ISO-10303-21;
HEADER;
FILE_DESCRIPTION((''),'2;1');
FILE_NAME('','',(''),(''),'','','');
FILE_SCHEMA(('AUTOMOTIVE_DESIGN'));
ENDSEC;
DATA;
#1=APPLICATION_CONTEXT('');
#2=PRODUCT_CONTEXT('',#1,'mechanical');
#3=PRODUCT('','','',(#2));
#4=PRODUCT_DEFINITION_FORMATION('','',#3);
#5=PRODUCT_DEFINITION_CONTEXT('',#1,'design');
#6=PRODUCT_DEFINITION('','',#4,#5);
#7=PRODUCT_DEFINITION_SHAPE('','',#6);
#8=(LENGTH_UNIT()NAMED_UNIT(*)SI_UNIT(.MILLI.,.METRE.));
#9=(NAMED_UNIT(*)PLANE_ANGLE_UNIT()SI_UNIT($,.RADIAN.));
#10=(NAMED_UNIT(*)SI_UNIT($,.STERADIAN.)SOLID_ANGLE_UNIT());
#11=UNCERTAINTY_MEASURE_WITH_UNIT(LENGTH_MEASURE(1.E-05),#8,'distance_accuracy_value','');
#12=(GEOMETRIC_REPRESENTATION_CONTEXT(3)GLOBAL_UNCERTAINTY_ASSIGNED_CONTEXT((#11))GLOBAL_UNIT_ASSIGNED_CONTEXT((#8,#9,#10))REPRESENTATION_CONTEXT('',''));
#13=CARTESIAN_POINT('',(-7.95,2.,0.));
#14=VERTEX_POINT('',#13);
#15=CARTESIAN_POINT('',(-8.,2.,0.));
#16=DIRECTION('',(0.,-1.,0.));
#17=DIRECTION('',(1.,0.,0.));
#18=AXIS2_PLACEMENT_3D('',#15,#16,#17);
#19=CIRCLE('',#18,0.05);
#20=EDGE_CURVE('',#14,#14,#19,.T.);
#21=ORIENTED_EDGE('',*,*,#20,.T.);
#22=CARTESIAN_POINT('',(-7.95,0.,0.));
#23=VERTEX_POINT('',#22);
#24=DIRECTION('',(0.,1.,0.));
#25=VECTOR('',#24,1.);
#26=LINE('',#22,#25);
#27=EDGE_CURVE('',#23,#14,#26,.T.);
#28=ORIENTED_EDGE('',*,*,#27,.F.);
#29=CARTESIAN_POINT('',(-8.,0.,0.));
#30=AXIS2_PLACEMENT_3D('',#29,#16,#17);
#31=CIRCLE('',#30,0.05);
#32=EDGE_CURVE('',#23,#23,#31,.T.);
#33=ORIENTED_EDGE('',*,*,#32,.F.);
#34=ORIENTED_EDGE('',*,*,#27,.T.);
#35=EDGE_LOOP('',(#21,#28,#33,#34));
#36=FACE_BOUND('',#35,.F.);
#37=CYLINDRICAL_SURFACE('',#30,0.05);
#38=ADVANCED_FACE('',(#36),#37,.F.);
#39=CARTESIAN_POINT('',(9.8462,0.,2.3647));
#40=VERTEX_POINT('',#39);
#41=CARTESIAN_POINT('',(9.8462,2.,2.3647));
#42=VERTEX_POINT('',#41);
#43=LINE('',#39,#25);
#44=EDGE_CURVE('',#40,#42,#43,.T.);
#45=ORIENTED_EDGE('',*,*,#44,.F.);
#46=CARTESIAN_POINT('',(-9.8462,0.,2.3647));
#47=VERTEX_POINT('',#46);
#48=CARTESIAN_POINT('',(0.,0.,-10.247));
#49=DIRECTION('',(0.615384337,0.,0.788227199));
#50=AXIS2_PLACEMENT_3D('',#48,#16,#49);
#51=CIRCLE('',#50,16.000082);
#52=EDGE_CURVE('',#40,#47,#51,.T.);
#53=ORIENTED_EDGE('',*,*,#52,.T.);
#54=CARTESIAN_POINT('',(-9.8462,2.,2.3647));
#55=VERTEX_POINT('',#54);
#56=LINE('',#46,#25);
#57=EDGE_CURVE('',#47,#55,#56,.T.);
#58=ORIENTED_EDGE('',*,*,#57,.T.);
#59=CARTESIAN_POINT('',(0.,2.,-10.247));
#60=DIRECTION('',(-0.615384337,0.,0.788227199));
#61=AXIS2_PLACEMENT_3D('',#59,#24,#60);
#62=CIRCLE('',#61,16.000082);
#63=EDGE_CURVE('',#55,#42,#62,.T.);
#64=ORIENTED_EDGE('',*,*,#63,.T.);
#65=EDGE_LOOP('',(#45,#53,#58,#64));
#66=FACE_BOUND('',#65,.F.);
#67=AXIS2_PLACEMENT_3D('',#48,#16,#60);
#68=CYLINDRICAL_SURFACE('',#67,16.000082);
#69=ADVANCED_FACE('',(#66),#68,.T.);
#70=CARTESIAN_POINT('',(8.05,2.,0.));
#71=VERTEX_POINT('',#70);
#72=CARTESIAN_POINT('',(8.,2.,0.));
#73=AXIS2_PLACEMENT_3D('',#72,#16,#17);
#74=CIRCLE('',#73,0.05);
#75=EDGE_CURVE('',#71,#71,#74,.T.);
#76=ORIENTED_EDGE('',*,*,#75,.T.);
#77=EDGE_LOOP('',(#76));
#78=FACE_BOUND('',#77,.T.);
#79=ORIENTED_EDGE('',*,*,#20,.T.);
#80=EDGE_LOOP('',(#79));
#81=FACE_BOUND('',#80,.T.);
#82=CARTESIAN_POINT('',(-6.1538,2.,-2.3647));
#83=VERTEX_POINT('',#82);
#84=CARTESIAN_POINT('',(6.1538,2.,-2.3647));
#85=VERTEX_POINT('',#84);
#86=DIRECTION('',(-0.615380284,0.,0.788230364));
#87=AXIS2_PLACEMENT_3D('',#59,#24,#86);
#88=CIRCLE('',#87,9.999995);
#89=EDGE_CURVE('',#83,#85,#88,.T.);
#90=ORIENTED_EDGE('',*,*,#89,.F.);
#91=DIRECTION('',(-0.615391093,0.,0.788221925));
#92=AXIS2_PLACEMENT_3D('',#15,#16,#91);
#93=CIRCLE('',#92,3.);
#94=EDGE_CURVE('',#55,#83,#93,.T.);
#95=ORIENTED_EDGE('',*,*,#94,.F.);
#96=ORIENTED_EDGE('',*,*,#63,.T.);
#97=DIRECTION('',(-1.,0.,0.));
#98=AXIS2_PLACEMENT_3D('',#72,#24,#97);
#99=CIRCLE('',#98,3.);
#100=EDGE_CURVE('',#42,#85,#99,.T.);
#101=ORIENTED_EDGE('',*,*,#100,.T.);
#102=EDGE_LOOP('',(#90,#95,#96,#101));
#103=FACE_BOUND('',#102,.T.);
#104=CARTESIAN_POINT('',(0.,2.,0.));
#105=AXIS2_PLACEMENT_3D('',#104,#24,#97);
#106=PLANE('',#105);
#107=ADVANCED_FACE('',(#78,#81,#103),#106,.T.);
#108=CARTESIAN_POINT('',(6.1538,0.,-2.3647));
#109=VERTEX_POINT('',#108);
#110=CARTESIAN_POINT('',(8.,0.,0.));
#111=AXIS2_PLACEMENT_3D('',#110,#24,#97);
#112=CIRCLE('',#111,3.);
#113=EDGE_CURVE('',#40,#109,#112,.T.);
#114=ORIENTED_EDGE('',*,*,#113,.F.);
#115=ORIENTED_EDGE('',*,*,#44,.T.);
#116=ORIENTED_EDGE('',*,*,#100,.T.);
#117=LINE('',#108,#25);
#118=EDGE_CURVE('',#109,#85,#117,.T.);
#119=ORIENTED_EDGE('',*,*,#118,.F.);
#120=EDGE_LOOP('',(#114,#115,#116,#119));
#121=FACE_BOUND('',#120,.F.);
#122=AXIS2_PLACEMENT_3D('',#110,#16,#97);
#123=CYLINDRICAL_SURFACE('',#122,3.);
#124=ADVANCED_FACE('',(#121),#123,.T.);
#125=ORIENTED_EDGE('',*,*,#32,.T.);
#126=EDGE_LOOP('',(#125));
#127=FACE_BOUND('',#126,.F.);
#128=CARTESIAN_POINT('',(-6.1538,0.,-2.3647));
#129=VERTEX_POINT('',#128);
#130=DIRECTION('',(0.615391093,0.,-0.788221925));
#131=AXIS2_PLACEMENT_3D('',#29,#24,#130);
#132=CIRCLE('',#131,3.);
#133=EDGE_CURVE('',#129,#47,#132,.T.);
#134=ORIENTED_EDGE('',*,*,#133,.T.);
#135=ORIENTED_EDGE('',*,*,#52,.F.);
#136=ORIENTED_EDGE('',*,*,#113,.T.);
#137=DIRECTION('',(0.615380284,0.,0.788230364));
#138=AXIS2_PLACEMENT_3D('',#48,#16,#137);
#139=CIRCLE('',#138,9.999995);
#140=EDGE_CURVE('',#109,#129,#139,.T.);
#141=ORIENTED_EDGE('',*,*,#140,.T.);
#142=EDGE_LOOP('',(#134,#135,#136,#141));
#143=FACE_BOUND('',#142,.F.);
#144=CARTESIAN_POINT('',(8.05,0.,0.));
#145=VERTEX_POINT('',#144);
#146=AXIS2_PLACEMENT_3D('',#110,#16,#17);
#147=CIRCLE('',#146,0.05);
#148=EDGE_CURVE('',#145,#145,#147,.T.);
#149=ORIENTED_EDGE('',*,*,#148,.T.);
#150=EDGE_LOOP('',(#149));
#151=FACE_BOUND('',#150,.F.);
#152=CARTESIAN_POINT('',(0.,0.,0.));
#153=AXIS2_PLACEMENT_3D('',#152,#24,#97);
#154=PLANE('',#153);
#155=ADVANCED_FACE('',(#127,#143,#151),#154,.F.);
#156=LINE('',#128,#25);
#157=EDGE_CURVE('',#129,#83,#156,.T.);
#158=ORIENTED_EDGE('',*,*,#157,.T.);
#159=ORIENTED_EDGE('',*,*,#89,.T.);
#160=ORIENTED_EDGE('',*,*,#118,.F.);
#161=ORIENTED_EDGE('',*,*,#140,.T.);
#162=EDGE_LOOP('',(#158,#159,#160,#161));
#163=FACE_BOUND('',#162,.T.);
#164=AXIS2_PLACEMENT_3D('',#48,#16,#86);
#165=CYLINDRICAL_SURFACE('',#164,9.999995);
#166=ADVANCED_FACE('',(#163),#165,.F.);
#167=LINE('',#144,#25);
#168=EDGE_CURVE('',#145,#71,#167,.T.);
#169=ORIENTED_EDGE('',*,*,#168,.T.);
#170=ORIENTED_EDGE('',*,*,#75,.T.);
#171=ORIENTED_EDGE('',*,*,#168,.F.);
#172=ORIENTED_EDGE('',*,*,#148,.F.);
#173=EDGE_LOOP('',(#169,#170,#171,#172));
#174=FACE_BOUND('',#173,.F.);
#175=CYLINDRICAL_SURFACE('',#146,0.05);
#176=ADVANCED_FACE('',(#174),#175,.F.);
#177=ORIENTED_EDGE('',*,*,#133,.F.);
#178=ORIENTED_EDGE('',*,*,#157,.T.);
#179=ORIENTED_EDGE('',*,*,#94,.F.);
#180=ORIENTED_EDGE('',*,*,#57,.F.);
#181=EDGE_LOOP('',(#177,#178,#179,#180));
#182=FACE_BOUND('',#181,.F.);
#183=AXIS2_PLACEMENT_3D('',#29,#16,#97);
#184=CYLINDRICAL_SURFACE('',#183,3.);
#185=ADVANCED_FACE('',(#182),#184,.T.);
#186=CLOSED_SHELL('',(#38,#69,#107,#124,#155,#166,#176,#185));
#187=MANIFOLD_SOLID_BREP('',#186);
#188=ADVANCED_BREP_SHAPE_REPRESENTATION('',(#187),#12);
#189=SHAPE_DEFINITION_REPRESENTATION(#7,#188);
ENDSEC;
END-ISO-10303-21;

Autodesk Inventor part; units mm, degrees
ref_plane "YZ Plane" through (0, 0, 0) normal (1, 0, 0) x (0, 1, 0)
ref_plane "XZ Plane" through (0, 0, 0) normal (0, 1, 0) x (-1, 0, 0)
ref_plane "XY Plane" through (0, 0, 0) normal (0, 0, 1) x (1, 0, 0)
sketch "Sketch1" plane through (0, 0, 0) normal (0, 1, 0) x (-1, 0, 0)
  circle A0 centre (8, 0) radius 3
  line L0 (8, 0) -> (-8, 0)
  circle A1 centre (-8, 0) radius 3
  arc A2 (6.1538, -2.3647) -> (-6.1538, -2.3647) centre (0, -10.247) ccw
  line L1 (0, -0.247) -> (0, 5.753)
  arc A3 (9.8462, 2.3647) -> (-9.8462, 2.3647) centre (0, -10.247) ccw
  circle A4 centre (8, 0) radius 1.5
  circle A5 centre (-8, 0) radius 1.5
  point P0 (0, 0)
  dimension "d13" = 16
  dimension "d14" = 6
  dimension "d16" = 6
  dimension "d17" = 3
  dimension "d18" = 3
extrude "Extrusion1" add sketch "Sketch1" along normal blind 2
sketch "Sketch2" plane through (0, 0, 0) normal (0, -1, 0) x (1, 0, 0)
  circle A0 centre (8, 0) radius 1.5 projected
  circle A1 centre (-8, 0) radius 1.5 projected
  arc A2 (6.1538, -2.3647) -> (9.8462, 2.3647) centre (8, 0) ccw projected
  arc A3 (-9.8462, 2.3647) -> (-6.1538, -2.3647) centre (-8, 0) ccw projected
  circle A4 centre (-8, 0) radius 0.05
  circle A5 centre (8, 0) radius 0.05
  point P0 (0, 0)
  dimension "d21" = 0.1
  dimension "d22" = 0.1
extrude "Extrusion2" add sketch "Sketch2" against normal blind 2
properties part number "tahlo-neco_sablona"
